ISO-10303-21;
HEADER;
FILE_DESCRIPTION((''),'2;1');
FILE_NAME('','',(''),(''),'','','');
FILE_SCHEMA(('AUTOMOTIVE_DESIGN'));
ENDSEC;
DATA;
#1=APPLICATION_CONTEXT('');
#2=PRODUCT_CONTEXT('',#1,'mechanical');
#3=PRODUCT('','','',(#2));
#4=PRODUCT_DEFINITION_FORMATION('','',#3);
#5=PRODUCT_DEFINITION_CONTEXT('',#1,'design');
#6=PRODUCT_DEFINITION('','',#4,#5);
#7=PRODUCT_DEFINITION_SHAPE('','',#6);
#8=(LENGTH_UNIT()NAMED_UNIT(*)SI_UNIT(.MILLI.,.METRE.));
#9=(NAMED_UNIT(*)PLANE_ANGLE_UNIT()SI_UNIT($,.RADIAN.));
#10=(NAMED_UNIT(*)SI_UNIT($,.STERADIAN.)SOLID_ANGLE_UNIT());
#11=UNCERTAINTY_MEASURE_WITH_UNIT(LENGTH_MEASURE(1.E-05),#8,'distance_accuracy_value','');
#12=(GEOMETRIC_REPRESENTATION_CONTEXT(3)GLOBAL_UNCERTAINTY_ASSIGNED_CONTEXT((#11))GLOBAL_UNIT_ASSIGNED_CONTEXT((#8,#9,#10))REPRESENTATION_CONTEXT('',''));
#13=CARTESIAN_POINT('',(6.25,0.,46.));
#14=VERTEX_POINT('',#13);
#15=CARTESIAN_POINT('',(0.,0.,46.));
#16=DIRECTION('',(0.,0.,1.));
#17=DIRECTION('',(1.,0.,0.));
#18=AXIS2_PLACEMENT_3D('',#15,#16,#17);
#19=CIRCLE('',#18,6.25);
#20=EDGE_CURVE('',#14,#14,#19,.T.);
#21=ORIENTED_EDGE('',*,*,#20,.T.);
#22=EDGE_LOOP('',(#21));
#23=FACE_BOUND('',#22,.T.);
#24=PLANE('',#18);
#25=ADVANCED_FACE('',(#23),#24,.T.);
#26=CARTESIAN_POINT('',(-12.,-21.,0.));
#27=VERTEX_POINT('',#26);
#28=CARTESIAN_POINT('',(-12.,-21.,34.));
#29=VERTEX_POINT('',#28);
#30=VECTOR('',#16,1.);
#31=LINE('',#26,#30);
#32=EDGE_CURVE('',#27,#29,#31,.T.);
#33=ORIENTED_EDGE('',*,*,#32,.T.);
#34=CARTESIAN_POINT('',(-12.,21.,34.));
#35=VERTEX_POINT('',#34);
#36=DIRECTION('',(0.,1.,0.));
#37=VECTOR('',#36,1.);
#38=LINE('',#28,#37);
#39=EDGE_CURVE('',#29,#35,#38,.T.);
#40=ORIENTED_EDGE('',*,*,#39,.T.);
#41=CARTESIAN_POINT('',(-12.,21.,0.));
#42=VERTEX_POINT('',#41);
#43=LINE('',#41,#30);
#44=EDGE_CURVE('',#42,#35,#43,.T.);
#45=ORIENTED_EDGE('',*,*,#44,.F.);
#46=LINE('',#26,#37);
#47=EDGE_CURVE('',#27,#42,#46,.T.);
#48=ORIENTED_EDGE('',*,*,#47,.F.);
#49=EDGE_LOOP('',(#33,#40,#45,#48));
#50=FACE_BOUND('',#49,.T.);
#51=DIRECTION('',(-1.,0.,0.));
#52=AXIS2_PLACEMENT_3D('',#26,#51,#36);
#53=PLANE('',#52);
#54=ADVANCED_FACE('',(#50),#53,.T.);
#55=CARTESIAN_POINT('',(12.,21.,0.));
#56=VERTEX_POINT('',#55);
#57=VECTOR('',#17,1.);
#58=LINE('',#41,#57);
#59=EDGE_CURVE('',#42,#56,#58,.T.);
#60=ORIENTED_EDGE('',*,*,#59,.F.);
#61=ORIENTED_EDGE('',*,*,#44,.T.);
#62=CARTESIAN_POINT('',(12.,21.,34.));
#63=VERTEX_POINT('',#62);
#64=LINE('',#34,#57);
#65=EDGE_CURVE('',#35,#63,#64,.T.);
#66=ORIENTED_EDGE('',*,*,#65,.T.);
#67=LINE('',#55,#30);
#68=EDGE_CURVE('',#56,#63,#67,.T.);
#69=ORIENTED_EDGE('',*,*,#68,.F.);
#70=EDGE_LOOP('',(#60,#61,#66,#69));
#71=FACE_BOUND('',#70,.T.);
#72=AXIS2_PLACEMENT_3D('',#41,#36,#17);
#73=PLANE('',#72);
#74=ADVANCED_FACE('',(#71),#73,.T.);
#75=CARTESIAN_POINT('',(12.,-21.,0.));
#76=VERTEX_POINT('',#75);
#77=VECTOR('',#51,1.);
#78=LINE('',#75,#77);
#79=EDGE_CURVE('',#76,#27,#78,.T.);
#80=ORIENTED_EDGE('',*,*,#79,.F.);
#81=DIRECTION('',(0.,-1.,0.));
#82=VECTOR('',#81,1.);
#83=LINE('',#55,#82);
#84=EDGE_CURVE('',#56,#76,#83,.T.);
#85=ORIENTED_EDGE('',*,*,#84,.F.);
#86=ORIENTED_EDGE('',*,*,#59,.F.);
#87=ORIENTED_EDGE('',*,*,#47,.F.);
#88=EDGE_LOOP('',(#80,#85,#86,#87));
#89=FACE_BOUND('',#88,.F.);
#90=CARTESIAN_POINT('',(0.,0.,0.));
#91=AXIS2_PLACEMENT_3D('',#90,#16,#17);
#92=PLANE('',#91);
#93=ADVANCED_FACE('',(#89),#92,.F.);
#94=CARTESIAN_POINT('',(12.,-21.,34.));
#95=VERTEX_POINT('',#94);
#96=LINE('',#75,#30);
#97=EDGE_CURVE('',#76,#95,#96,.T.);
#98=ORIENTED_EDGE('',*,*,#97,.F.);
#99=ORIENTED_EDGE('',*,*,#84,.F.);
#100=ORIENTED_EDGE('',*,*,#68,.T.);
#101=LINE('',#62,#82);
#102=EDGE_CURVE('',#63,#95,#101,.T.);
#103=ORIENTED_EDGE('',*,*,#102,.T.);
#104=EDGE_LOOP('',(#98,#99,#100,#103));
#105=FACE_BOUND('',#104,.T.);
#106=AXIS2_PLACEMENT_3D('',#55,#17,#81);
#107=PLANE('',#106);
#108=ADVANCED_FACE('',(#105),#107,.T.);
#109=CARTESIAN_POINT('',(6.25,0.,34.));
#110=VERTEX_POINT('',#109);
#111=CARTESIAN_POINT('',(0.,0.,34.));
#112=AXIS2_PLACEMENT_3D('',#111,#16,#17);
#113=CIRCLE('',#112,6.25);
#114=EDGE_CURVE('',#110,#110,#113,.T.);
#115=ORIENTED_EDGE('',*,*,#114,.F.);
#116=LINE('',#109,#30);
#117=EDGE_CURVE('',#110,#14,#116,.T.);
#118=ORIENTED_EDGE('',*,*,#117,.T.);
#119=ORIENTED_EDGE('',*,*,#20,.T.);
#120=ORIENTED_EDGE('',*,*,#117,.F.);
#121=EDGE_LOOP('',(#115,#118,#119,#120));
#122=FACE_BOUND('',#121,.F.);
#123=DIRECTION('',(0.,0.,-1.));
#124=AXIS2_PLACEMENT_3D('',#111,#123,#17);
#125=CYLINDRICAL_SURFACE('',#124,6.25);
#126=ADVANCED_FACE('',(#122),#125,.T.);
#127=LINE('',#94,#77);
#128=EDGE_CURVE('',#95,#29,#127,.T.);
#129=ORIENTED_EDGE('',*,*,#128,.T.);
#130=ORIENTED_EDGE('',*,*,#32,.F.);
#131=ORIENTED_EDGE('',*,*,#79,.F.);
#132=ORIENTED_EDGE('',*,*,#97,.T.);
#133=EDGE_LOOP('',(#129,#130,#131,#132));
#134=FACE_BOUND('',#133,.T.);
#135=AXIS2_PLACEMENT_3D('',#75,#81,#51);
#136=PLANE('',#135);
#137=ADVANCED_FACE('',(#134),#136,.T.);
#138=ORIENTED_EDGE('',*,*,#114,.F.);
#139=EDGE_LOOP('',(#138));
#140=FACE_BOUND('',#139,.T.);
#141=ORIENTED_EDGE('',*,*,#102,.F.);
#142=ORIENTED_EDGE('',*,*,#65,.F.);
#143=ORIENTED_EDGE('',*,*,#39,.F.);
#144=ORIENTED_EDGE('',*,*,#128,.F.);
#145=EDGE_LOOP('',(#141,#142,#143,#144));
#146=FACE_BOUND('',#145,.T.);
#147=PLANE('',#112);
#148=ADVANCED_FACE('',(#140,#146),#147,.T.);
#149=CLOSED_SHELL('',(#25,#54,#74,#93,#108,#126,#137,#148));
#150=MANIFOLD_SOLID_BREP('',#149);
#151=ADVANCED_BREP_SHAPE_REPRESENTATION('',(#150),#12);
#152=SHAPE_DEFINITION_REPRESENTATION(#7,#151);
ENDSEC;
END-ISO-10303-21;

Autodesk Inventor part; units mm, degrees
ref_plane "YZ Plane" through (0, 0, 0) normal (1, 0, 0) x (0, 1, 0)
ref_plane "XZ Plane" through (0, 0, 0) normal (0, 1, 0) x (-1, 0, 0)
ref_plane "XY Plane" through (0, 0, 0) normal (0, 0, 1) x (1, 0, 0)
sketch "Sketch1" plane through (0, 0, 0) normal (0, 0, 1) x (1, 0, 0)
  line L0 (-12, 21) -> (12, 21)
  line L1 (12, 21) -> (12, -21)
  line L2 (12, -21) -> (-12, -21)
  line L3 (-12, -21) -> (-12, 21)
  point P0 (0, 0)
  point P1 (12, 0)
  point P2 (0, 21)
  dimension "d0" = 24
  dimension "d1" = 42
extrude "Extrusion1" add sketch "Sketch1" along normal blind 34
sketch "Sketch2" plane through (0, 0, 34) normal (0, 0, 1) x (1, 0, 0)
  circle A0 centre (0, 0) radius 6.25
  dimension "d4" = 12.5
extrude "Extrusion2" add sketch "Sketch2" along normal blind 12
properties part number "s823switch"
